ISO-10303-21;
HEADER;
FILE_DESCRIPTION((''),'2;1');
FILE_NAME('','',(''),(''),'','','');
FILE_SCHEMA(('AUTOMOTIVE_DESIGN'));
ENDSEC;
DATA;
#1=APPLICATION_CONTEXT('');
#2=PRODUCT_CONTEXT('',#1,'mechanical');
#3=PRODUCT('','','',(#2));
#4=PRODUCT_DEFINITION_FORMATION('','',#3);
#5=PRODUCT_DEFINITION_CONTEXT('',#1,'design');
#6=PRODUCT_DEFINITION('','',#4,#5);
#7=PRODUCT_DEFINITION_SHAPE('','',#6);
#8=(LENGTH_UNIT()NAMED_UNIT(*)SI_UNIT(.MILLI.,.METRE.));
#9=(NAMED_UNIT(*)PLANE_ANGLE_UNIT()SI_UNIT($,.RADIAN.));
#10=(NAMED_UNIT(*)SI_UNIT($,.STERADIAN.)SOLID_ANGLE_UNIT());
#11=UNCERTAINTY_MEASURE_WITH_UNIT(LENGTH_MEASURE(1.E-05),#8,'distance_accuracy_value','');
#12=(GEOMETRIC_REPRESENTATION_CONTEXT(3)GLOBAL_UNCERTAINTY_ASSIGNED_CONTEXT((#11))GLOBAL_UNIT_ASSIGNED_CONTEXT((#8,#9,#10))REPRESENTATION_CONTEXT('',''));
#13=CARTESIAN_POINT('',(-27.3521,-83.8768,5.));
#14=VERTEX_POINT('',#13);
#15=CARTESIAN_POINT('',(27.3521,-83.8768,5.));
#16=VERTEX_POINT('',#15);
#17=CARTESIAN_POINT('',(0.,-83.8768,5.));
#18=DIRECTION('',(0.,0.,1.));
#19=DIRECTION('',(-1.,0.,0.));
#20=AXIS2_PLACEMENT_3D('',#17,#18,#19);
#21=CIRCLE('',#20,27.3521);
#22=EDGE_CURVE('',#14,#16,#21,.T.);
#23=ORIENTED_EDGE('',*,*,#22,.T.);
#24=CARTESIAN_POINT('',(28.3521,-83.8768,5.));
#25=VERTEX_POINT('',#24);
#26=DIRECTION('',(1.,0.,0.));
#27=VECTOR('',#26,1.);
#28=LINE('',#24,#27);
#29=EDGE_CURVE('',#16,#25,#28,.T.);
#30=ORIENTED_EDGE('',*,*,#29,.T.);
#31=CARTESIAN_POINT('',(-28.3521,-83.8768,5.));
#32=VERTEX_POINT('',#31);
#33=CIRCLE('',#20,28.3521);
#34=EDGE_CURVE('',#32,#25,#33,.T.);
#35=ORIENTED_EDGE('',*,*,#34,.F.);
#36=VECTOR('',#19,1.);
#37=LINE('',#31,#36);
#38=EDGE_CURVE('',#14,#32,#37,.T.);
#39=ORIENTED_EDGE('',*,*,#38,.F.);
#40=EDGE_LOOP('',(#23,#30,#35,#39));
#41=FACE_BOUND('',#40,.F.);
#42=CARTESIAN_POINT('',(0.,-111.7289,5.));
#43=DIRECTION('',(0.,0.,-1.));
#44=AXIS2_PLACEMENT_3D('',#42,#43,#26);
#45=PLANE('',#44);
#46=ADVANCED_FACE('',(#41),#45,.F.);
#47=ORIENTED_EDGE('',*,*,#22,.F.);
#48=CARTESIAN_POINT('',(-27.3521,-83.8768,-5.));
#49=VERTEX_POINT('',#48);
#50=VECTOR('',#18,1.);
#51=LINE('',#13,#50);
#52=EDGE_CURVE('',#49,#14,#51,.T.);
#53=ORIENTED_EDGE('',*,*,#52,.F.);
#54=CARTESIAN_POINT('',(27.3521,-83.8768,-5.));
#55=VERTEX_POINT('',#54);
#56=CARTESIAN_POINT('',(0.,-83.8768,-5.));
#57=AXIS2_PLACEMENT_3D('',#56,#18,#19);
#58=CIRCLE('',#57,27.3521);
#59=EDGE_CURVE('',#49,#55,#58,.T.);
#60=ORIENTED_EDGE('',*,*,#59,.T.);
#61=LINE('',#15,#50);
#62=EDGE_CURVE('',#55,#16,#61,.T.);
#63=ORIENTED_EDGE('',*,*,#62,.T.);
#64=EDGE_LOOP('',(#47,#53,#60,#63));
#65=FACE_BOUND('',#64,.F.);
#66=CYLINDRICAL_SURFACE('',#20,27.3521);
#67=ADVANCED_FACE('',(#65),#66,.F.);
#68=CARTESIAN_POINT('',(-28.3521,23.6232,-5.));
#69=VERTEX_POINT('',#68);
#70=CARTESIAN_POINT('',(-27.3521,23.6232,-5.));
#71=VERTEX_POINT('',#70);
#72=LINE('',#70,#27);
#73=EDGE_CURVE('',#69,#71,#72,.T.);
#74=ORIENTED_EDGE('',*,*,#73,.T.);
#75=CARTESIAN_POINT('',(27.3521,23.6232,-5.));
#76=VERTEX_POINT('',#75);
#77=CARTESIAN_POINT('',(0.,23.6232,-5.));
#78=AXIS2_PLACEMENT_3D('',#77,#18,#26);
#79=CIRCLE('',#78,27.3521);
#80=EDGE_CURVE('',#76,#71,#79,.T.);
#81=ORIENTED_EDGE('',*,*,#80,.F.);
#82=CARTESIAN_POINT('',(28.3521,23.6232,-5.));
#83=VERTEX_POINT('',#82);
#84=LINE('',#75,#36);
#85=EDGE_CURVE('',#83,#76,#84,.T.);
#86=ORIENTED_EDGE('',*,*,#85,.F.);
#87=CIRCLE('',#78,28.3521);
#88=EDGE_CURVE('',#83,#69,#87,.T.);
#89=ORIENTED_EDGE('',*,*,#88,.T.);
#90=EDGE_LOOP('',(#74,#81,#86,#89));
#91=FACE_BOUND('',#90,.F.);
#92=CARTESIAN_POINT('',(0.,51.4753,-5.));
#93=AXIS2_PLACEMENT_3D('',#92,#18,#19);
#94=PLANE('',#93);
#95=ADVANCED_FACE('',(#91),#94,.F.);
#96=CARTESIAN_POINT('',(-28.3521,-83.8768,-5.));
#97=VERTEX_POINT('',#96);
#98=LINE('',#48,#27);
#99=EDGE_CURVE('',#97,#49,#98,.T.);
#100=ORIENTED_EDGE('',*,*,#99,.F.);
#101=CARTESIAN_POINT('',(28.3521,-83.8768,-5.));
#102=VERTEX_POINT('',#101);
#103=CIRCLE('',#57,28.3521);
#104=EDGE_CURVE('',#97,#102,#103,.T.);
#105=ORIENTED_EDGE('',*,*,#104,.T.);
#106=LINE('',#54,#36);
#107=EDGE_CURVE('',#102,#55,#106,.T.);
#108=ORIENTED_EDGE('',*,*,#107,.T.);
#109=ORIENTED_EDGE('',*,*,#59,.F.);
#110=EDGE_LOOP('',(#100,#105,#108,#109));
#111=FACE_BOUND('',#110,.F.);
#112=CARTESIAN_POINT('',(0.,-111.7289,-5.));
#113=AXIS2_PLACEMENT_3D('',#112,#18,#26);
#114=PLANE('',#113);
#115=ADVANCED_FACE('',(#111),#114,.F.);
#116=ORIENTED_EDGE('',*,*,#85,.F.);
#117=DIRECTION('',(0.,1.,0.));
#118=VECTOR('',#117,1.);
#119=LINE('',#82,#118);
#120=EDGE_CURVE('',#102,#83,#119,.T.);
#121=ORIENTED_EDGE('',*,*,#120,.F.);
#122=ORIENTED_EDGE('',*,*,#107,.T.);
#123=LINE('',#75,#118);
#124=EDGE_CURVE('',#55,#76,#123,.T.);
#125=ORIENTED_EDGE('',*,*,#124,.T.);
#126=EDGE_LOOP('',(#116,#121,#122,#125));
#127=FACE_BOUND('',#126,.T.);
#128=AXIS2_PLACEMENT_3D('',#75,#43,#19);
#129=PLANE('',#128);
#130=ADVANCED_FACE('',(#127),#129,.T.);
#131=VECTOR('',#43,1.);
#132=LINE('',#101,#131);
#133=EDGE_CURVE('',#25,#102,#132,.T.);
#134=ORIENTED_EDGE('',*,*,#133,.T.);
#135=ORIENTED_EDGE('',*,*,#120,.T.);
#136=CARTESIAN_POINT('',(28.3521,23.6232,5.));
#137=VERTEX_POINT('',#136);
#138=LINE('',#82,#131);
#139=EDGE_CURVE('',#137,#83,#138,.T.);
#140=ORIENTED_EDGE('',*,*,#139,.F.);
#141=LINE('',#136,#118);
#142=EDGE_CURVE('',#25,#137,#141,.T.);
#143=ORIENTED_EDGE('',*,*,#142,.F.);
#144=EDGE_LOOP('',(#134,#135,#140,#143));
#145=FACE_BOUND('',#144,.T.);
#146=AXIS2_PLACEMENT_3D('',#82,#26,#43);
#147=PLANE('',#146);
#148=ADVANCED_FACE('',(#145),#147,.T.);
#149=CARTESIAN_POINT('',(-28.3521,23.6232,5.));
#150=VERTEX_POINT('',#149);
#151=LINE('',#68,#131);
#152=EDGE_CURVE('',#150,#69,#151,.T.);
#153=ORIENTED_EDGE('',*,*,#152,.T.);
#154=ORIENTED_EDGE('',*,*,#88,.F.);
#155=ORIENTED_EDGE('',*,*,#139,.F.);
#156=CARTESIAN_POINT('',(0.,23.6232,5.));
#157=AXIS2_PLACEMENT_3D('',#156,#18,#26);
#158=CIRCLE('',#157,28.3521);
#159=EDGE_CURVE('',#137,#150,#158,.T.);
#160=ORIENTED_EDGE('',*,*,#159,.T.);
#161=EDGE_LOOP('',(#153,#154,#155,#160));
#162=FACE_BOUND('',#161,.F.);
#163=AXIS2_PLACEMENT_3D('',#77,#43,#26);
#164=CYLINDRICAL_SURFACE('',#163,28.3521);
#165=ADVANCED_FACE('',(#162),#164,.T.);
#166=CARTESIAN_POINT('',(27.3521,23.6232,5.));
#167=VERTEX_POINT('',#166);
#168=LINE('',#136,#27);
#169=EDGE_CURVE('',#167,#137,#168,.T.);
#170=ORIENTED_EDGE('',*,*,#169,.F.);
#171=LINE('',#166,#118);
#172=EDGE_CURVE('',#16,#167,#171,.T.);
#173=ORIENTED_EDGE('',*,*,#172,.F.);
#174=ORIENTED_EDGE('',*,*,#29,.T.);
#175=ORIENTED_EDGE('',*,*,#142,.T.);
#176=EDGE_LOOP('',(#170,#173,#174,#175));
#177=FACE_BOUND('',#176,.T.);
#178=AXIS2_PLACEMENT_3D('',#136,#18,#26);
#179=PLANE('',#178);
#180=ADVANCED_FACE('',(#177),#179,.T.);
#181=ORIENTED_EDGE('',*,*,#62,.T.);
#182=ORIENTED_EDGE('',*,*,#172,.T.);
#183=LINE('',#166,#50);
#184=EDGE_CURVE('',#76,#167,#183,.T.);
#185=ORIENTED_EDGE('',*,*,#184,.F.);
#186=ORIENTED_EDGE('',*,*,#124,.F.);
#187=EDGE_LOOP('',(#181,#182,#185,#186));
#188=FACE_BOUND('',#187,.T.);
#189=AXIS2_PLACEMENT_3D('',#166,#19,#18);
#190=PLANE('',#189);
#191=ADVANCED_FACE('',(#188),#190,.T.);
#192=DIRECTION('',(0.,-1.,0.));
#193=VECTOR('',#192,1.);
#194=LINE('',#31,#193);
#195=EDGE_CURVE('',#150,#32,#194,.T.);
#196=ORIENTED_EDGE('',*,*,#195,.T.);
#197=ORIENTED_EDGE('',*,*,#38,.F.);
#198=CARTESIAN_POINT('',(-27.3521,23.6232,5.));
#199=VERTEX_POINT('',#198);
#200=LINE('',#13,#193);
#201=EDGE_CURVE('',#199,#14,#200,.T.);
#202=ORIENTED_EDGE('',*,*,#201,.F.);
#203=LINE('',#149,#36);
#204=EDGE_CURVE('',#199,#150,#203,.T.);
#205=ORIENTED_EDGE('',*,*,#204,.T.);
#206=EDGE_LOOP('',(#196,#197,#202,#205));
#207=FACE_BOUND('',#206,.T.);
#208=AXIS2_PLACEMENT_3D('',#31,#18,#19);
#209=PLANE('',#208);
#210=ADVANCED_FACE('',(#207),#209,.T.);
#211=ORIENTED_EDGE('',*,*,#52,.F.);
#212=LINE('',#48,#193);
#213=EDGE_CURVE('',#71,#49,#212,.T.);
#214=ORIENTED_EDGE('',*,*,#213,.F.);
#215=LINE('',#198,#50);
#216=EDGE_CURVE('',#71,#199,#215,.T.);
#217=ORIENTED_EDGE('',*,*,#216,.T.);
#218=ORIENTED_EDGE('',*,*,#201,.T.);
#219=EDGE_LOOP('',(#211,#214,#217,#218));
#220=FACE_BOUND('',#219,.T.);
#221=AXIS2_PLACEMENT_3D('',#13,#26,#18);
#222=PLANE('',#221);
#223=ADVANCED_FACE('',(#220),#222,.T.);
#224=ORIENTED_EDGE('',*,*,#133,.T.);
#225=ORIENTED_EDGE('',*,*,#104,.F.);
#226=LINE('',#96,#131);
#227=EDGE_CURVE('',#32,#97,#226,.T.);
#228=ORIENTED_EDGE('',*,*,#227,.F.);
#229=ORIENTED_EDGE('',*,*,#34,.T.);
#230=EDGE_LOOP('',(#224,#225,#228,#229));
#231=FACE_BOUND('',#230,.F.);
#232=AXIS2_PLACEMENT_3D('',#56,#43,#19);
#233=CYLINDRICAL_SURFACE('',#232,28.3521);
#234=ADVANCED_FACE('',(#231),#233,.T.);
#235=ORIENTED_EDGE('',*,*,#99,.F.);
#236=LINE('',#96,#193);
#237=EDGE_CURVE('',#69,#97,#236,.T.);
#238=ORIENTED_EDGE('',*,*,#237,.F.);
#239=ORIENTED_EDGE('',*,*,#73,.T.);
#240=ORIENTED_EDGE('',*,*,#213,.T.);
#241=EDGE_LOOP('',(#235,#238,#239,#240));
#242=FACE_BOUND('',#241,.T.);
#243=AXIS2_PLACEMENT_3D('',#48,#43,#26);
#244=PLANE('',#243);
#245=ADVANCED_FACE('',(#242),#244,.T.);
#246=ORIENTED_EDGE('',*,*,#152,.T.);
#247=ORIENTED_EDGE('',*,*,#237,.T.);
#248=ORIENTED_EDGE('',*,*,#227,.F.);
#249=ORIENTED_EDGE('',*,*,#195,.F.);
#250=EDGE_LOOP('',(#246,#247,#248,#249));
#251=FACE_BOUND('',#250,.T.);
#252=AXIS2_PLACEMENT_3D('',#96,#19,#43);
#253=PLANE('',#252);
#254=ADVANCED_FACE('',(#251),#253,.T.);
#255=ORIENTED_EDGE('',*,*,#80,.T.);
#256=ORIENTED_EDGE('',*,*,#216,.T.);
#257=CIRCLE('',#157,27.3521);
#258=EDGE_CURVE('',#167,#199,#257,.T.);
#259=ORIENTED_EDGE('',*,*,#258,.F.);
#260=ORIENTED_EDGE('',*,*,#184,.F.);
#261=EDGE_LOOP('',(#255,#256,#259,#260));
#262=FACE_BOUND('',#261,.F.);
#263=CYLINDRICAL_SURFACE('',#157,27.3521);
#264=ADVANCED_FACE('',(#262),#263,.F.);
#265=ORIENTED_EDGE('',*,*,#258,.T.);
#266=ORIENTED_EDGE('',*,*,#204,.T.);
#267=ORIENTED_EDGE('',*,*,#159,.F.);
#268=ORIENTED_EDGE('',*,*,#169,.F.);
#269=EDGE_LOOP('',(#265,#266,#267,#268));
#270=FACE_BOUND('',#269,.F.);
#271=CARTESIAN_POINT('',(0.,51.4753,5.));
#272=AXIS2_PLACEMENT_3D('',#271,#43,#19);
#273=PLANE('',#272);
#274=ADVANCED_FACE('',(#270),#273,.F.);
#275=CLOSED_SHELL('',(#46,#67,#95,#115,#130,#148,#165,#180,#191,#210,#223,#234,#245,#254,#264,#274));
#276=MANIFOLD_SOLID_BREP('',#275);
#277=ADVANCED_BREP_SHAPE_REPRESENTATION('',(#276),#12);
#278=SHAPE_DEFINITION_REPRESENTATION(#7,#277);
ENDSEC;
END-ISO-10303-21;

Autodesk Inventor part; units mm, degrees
sketch "Sketch Path" plane through (0, 0, 0) normal (0, 0, 1) x (1, 0, 0)
  arc A0 (27.8521, 23.6232) -> (-27.8521, 23.6232) centre (0, 23.6232) ccw
  arc A1 (-27.8521, -83.8768) -> (27.8521, -83.8768) centre (0, -83.8768) ccw
  line L0 (-27.8521, -83.8768) -> (-27.8521, 23.6232)
  line L1 (27.8521, 23.6232) -> (27.8521, -83.8768)
ref_plane "Cross Section Plane" through (-27.8521, 23.6232, 0) normal (0, -1, 0) x (0, 0, 1)
ref_plane "Work Plane2" through (0, 23.6232, 0) normal (-1, 0, 0) x (0, 0, 1)
ref_plane "Work Plane3" through (0, -83.8768, 0) normal (0.1342, 0.9909, 0) x (0, 0, 1)
sketch "Cross Section" plane through (-27.8521, 23.6232, 0) normal (0, -1, 0) x (0, 0, 1)
  line L0 (-5, 0.5) -> (5, 0.5)
  line L1 (5, 0.5) -> (5, -0.5)
  line L2 (5, -0.5) -> (-5, -0.5)
  line L3 (-5, -0.5) -> (-5, 0.5)
  line L4 (-5, 0) -> (5, 0) construction
  point P0 (0, 0)
  point P1 (0, 0)
  dimension "d0" = 10
  dimension "d4" = 0.5
  dimension "d5" = 0.5
sweep "Belt" add profiles "Cross Section" path "Sketch Path"
equation "\"d0\" = da_B"
equation "\"d4\" = da_a"
equation "\"d5\" = da_a2"
equation "\"da_B\" = 10"
equation "\"da_pb\" = 5"
equation "\"da_a\" = 0.5"
equation "\"da_S\" = 2.65"
equation "\"da_Beta\" = 20deg"
equation "\"da_Ht\" = 1.2"
equation "\"da_H\" = 2.2"
equation "\"da_a2\" = 0.5"
properties part number "Synchronous Belt" material "Aluminum 6061"
